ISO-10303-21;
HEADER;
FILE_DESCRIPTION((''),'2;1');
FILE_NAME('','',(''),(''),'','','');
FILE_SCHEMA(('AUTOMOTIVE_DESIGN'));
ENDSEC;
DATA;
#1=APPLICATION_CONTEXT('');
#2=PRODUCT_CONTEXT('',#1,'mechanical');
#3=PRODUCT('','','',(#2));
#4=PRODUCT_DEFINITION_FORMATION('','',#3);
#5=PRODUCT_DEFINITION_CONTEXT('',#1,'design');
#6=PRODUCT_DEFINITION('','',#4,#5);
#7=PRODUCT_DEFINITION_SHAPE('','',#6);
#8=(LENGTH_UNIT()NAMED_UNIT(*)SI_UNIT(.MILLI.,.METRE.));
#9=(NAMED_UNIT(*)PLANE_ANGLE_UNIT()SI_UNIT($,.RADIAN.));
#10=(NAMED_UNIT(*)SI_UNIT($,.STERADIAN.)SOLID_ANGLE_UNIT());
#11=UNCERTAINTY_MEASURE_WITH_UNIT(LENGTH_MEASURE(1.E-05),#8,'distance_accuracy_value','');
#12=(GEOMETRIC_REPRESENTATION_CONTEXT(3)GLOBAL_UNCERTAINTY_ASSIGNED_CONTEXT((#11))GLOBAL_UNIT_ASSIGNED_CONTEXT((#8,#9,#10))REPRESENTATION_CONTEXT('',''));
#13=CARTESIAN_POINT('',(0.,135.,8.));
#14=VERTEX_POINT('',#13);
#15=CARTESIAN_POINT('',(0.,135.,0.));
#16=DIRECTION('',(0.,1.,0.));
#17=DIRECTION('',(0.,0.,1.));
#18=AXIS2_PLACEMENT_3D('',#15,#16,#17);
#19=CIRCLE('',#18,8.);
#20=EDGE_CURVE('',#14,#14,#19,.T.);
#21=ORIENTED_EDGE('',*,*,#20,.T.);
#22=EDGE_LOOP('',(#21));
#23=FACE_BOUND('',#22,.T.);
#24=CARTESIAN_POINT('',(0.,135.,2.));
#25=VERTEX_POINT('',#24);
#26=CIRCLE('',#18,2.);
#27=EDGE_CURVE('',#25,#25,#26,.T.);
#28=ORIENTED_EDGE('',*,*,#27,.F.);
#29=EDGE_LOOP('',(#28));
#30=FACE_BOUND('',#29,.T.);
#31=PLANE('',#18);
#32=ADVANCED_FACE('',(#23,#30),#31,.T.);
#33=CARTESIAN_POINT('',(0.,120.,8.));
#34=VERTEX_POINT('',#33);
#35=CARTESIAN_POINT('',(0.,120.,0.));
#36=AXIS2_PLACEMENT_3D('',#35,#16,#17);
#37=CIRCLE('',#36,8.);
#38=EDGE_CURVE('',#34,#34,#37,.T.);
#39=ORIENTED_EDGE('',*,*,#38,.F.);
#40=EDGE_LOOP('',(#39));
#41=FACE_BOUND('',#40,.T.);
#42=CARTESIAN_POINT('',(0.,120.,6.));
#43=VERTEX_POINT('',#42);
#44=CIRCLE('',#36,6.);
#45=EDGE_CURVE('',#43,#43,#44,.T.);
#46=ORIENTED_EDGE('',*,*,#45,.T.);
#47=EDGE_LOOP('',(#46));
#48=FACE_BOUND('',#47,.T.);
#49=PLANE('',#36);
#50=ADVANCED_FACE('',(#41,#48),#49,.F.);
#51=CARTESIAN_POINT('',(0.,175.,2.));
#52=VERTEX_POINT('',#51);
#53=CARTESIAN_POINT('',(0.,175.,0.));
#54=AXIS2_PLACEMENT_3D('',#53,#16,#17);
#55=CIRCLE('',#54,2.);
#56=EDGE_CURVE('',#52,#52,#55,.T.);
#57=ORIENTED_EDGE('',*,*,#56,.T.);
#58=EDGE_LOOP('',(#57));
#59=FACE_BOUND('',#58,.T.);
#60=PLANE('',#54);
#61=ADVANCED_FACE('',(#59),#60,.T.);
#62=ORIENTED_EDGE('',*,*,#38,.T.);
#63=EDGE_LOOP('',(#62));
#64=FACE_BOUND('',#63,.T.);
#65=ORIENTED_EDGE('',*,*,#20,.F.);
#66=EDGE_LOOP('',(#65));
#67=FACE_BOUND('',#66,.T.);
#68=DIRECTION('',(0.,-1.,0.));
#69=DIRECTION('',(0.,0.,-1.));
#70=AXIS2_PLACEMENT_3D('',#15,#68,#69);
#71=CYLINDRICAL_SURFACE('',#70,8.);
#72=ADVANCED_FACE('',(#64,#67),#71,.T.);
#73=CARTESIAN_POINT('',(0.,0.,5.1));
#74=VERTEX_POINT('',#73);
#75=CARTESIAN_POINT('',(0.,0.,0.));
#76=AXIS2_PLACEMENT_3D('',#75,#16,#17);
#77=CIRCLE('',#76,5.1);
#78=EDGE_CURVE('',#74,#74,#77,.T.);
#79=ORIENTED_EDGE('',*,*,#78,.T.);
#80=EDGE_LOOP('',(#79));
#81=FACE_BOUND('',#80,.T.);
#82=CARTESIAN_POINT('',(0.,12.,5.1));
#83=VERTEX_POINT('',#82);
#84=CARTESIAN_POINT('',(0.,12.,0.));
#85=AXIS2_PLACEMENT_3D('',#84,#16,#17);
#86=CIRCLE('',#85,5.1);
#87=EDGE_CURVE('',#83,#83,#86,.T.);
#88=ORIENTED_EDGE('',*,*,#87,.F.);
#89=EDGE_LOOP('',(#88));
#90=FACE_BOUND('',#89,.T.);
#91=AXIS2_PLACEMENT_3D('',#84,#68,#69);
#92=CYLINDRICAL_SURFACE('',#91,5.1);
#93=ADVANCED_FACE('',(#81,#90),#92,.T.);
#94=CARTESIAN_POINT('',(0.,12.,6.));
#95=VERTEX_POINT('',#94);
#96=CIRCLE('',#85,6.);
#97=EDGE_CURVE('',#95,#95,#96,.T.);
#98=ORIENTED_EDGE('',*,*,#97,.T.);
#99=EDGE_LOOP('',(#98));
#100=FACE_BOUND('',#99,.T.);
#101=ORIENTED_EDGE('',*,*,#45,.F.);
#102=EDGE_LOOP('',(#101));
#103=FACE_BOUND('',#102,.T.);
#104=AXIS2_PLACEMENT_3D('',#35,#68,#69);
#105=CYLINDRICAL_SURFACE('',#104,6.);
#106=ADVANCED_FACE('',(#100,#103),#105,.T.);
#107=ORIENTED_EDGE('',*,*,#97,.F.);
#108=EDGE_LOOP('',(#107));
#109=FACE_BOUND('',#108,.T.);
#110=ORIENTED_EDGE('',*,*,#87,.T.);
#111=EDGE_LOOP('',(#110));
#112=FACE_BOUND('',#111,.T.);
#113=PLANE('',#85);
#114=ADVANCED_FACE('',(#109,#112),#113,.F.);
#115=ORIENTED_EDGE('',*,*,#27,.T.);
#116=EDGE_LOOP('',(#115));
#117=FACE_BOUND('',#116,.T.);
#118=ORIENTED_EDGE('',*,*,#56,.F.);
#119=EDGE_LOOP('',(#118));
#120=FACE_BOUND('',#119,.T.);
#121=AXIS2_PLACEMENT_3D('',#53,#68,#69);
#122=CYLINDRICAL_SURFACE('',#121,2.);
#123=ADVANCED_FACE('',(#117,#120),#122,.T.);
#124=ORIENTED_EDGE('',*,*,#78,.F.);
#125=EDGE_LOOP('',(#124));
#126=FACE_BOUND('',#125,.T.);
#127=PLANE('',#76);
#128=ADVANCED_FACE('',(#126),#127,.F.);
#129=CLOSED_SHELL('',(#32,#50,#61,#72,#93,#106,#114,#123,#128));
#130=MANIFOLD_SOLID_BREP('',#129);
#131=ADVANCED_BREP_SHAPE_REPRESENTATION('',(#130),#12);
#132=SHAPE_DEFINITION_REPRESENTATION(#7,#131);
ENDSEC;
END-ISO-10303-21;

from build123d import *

# Parameters (mm, degrees)
SKETCH1_R       = 5.1
GLASS_TIP_DEPTH = 12
BODY_START      = 12
SKETCH2_R       = 6
BODY_DEPTH      = 108
CAP_START       = 120
SKETCH3_R       = 8
CAP_DEPTH       = 15
CABLE_START     = 135
SKETCH4_R       = 2
CABLE_DEPTH     = 40


with BuildPart() as part:
    # Sketch1 → Glass_Tip (new body)
    with BuildSketch(Plane(origin=(0, 0, 0), x_dir=(1, 0, 0), z_dir=(0, 1, 0))):
        with Locations(Location((0, 0, 0), (0, 0, 270))):
            Circle(SKETCH1_R)
    extrude(amount=GLASS_TIP_DEPTH)

    # Sketch2 → Body (add)
    with BuildSketch(Plane(origin=(0, 0, 0), x_dir=(1, 0, 0), z_dir=(0, 1, 0)).offset(BODY_START)):
        with Locations(Location((0, 0, 0), (0, 0, 270))):
            Circle(SKETCH2_R)
    extrude(amount=BODY_DEPTH)

    # Sketch3 → Cap (add)
    with BuildSketch(Plane(origin=(0, 0, 0), x_dir=(1, 0, 0), z_dir=(0, 1, 0)).offset(CAP_START)):
        with Locations(Location((0, 0, 0), (0, 0, 270))):
            Circle(SKETCH3_R)
    extrude(amount=CAP_DEPTH)

    # Sketch4 → Cable (add)
    with BuildSketch(Plane(origin=(0, 0, 0), x_dir=(1, 0, 0), z_dir=(0, 1, 0)).offset(CABLE_START)):
        with Locations(Location((0, 0, 0), (0, 0, 270))):
            Circle(SKETCH4_R)
    extrude(amount=CABLE_DEPTH)


solid = part.part
